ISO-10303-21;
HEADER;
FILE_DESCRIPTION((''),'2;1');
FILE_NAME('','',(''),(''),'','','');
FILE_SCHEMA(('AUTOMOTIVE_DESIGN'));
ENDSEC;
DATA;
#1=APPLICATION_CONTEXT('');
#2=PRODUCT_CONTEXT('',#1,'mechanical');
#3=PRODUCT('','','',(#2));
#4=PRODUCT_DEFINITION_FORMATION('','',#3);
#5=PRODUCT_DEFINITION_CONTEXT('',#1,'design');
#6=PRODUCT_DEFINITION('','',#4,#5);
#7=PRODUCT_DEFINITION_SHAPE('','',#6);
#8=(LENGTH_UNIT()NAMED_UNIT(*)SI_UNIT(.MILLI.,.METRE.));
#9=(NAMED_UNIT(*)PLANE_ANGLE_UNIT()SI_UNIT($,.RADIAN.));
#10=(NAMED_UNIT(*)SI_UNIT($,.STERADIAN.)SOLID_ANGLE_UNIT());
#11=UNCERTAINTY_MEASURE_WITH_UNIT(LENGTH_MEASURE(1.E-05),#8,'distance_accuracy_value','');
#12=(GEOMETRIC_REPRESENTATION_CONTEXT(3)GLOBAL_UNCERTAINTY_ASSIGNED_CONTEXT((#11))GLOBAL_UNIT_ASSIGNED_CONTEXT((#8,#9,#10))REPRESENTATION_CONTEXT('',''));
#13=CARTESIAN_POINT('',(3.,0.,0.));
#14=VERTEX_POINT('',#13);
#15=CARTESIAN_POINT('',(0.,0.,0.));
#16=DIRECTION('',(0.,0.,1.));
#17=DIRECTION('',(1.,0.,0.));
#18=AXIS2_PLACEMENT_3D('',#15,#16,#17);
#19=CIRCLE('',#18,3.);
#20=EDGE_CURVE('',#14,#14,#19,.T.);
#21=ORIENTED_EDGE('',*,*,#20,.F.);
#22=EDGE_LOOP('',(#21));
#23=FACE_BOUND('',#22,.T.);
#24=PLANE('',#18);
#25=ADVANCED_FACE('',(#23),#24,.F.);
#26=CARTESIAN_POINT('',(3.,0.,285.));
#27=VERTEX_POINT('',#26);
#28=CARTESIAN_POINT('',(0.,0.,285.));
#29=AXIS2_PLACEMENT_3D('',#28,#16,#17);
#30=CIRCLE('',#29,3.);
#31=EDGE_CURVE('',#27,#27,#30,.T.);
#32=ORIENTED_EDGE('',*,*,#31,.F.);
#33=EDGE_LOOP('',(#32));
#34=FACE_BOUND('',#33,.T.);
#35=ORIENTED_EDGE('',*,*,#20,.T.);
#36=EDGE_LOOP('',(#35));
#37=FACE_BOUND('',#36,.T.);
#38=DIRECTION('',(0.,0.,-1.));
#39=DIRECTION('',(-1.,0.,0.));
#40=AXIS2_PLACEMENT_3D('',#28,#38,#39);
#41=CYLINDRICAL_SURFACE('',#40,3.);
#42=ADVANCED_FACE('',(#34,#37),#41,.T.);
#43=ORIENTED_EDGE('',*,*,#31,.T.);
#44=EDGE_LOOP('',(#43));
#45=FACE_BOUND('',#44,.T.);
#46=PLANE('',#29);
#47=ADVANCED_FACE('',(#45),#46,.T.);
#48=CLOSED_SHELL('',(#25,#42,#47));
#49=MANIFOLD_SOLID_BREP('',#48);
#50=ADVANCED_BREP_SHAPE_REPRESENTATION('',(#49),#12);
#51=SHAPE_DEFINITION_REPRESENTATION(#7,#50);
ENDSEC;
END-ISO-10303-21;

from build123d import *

# Parameters (mm, degrees)
SKETCH1_R           = 3
BOSS_EXTRUDE1_DEPTH = 285


with BuildPart() as part:
    # Sketch1 → Boss-Extrude1 (new body)
    with BuildSketch(Plane.XY):
        Circle(SKETCH1_R)
    extrude(amount=BOSS_EXTRUDE1_DEPTH)


solid = part.part
